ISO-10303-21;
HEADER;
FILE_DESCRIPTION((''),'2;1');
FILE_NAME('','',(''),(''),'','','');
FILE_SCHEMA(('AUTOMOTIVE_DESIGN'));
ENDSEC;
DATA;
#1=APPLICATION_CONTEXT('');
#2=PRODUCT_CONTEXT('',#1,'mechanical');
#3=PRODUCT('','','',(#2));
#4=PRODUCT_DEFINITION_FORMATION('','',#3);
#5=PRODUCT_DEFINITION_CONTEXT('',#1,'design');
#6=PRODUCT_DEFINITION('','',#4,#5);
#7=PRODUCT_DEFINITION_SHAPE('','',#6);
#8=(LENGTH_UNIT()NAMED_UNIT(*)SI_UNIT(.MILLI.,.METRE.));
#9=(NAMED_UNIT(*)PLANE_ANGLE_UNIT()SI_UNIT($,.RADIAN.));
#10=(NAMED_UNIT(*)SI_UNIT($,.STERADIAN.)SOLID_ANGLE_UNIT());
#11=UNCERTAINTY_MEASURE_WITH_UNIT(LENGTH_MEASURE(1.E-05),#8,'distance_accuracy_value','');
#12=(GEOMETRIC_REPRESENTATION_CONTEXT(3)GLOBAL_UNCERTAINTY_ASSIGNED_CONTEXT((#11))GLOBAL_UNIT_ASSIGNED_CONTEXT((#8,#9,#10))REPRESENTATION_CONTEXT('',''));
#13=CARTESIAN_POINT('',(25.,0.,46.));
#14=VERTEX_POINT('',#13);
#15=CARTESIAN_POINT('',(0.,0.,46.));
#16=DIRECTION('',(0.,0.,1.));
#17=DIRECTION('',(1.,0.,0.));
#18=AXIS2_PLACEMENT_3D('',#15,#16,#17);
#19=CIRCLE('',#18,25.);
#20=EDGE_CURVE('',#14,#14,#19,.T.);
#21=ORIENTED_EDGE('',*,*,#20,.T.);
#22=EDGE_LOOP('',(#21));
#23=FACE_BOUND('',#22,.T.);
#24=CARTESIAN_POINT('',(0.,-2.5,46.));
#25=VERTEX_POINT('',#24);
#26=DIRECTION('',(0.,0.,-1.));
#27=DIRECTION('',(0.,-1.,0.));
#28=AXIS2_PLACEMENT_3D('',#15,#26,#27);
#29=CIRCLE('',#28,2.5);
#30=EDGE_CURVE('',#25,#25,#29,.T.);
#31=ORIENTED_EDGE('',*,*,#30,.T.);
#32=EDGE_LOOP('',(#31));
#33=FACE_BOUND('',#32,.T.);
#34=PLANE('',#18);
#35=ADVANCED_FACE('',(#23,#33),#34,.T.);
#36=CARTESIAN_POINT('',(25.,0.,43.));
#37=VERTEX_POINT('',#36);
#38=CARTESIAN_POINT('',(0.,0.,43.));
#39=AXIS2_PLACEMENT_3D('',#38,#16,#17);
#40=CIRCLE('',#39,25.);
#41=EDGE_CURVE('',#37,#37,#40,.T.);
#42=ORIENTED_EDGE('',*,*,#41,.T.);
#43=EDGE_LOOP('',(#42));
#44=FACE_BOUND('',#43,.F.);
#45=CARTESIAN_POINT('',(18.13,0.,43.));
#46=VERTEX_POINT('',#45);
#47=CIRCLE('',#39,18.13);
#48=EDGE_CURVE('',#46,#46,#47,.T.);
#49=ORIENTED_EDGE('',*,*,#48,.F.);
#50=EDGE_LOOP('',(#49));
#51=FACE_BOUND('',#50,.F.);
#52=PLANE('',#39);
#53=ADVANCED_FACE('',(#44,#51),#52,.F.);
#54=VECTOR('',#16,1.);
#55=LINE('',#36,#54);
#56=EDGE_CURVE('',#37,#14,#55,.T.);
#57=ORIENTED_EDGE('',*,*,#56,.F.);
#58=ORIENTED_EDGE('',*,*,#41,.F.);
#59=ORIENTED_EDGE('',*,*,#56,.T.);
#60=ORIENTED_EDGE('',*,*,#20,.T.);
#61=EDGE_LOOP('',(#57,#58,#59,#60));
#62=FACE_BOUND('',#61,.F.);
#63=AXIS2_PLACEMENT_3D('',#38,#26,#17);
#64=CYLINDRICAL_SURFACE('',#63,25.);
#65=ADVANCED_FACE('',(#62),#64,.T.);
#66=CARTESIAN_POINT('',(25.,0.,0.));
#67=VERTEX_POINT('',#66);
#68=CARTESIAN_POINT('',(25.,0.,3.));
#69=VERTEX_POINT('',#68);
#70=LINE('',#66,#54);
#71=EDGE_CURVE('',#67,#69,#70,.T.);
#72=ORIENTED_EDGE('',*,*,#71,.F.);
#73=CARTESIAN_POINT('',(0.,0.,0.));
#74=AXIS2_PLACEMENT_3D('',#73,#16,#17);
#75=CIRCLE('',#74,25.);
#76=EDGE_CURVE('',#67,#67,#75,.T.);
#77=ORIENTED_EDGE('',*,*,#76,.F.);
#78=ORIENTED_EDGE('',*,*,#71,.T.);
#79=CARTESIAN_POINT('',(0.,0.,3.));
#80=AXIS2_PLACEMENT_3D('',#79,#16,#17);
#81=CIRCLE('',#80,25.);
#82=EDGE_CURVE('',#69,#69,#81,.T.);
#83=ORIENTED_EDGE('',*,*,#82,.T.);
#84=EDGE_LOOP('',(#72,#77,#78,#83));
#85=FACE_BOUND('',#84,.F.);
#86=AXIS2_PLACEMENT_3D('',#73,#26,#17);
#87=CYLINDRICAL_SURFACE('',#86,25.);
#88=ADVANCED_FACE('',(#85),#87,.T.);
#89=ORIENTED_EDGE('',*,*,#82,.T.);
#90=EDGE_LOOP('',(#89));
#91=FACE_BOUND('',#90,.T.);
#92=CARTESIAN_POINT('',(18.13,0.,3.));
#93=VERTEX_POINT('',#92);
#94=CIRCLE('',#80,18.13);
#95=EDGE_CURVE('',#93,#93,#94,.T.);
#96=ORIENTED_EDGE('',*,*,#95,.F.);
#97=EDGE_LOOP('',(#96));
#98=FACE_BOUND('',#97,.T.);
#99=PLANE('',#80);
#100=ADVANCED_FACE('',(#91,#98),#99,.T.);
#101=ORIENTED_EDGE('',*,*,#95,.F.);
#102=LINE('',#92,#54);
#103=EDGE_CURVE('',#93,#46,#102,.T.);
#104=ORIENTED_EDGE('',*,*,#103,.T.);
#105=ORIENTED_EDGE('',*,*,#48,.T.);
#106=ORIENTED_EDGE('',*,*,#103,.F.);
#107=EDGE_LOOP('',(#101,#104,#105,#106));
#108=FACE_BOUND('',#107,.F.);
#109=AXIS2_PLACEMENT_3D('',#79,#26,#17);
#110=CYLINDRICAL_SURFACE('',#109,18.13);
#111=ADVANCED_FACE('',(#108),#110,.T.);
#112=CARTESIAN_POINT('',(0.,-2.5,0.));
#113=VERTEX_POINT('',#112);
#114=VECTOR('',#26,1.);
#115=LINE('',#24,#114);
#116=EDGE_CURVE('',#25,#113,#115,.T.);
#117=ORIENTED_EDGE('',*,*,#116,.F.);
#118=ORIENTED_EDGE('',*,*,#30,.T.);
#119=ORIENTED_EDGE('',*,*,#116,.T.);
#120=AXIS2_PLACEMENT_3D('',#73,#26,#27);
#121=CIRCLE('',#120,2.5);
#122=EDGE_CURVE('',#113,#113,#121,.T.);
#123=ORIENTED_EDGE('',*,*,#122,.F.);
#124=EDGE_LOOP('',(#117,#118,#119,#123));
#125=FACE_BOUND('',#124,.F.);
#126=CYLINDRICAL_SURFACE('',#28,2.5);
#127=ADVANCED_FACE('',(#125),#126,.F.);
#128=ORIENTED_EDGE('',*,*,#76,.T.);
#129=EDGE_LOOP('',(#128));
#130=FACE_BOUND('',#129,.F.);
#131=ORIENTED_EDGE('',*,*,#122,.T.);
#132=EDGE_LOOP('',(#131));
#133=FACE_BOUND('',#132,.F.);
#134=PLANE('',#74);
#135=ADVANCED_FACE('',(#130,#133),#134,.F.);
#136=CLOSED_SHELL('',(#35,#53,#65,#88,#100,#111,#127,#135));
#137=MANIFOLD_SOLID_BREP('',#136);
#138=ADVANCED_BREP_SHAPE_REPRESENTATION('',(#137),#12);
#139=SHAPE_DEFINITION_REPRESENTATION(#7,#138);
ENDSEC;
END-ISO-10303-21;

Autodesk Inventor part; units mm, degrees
ref_plane "YZ Plane" through (0, 0, 0) normal (1, 0, 0) x (0, 1, 0)
ref_plane "XZ Plane" through (0, 0, 0) normal (0, 1, 0) x (-1, 0, 0)
ref_plane "XY Plane" through (0, 0, 0) normal (0, 0, 1) x (1, 0, 0)
sketch "スケッチ1" plane through (0, 0, 0) normal (0, 0, 1) x (1, 0, 0)
  circle A0 centre (0, 0) radius 25
  dimension "d0" = 50
extrude "押し出し1" add sketch "スケッチ1" along normal blind 3
sketch "スケッチ2" plane through (0, 0, 3) normal (0, 0, 1) x (1, 0, 0)
  circle A0 centre (0, 0) radius 18.13
  dimension "d3" = 36.26
extrude "押し出し2" add sketch "スケッチ2" along normal blind 40
sketch "スケッチ3" plane through (0, 0, 43) normal (0, 0, 1) x (1, 0, 0)
  circle A0 centre (0, 0) radius 25
  dimension "d6" = 50
extrude "押し出し3" add sketch "スケッチ3" along normal blind 3
sketch "スケッチ4" plane through (0, 0, 46) normal (0, 0, 1) x (1, 0, 0)
  circle A0 centre (0, 0) radius 2.5
  dimension "d9" = 5
hole "穴1" at (0, 0, 46) direction (0, 0, -1) diameter 5 depth 46
equation "\"BendRadius\" = Thickness"
equation "\"BendReliefWidth\" = Thickness"
equation "\"BendReliefDepth\" = 0.5 * Thickness"
equation "\"CornerReliefSize\" = 4 * Thickness"
equation "\"MinimumRemnant\" = 2 * Thickness"
equation "\"TransitionRadius\" = BendRadius"
equation "\"JacobiRadiusSize\" = BendRadius"
equation "\"GapSize\" = Thickness"
equation "\"Thickness\" = 0.5"
properties part number "nhk12"
